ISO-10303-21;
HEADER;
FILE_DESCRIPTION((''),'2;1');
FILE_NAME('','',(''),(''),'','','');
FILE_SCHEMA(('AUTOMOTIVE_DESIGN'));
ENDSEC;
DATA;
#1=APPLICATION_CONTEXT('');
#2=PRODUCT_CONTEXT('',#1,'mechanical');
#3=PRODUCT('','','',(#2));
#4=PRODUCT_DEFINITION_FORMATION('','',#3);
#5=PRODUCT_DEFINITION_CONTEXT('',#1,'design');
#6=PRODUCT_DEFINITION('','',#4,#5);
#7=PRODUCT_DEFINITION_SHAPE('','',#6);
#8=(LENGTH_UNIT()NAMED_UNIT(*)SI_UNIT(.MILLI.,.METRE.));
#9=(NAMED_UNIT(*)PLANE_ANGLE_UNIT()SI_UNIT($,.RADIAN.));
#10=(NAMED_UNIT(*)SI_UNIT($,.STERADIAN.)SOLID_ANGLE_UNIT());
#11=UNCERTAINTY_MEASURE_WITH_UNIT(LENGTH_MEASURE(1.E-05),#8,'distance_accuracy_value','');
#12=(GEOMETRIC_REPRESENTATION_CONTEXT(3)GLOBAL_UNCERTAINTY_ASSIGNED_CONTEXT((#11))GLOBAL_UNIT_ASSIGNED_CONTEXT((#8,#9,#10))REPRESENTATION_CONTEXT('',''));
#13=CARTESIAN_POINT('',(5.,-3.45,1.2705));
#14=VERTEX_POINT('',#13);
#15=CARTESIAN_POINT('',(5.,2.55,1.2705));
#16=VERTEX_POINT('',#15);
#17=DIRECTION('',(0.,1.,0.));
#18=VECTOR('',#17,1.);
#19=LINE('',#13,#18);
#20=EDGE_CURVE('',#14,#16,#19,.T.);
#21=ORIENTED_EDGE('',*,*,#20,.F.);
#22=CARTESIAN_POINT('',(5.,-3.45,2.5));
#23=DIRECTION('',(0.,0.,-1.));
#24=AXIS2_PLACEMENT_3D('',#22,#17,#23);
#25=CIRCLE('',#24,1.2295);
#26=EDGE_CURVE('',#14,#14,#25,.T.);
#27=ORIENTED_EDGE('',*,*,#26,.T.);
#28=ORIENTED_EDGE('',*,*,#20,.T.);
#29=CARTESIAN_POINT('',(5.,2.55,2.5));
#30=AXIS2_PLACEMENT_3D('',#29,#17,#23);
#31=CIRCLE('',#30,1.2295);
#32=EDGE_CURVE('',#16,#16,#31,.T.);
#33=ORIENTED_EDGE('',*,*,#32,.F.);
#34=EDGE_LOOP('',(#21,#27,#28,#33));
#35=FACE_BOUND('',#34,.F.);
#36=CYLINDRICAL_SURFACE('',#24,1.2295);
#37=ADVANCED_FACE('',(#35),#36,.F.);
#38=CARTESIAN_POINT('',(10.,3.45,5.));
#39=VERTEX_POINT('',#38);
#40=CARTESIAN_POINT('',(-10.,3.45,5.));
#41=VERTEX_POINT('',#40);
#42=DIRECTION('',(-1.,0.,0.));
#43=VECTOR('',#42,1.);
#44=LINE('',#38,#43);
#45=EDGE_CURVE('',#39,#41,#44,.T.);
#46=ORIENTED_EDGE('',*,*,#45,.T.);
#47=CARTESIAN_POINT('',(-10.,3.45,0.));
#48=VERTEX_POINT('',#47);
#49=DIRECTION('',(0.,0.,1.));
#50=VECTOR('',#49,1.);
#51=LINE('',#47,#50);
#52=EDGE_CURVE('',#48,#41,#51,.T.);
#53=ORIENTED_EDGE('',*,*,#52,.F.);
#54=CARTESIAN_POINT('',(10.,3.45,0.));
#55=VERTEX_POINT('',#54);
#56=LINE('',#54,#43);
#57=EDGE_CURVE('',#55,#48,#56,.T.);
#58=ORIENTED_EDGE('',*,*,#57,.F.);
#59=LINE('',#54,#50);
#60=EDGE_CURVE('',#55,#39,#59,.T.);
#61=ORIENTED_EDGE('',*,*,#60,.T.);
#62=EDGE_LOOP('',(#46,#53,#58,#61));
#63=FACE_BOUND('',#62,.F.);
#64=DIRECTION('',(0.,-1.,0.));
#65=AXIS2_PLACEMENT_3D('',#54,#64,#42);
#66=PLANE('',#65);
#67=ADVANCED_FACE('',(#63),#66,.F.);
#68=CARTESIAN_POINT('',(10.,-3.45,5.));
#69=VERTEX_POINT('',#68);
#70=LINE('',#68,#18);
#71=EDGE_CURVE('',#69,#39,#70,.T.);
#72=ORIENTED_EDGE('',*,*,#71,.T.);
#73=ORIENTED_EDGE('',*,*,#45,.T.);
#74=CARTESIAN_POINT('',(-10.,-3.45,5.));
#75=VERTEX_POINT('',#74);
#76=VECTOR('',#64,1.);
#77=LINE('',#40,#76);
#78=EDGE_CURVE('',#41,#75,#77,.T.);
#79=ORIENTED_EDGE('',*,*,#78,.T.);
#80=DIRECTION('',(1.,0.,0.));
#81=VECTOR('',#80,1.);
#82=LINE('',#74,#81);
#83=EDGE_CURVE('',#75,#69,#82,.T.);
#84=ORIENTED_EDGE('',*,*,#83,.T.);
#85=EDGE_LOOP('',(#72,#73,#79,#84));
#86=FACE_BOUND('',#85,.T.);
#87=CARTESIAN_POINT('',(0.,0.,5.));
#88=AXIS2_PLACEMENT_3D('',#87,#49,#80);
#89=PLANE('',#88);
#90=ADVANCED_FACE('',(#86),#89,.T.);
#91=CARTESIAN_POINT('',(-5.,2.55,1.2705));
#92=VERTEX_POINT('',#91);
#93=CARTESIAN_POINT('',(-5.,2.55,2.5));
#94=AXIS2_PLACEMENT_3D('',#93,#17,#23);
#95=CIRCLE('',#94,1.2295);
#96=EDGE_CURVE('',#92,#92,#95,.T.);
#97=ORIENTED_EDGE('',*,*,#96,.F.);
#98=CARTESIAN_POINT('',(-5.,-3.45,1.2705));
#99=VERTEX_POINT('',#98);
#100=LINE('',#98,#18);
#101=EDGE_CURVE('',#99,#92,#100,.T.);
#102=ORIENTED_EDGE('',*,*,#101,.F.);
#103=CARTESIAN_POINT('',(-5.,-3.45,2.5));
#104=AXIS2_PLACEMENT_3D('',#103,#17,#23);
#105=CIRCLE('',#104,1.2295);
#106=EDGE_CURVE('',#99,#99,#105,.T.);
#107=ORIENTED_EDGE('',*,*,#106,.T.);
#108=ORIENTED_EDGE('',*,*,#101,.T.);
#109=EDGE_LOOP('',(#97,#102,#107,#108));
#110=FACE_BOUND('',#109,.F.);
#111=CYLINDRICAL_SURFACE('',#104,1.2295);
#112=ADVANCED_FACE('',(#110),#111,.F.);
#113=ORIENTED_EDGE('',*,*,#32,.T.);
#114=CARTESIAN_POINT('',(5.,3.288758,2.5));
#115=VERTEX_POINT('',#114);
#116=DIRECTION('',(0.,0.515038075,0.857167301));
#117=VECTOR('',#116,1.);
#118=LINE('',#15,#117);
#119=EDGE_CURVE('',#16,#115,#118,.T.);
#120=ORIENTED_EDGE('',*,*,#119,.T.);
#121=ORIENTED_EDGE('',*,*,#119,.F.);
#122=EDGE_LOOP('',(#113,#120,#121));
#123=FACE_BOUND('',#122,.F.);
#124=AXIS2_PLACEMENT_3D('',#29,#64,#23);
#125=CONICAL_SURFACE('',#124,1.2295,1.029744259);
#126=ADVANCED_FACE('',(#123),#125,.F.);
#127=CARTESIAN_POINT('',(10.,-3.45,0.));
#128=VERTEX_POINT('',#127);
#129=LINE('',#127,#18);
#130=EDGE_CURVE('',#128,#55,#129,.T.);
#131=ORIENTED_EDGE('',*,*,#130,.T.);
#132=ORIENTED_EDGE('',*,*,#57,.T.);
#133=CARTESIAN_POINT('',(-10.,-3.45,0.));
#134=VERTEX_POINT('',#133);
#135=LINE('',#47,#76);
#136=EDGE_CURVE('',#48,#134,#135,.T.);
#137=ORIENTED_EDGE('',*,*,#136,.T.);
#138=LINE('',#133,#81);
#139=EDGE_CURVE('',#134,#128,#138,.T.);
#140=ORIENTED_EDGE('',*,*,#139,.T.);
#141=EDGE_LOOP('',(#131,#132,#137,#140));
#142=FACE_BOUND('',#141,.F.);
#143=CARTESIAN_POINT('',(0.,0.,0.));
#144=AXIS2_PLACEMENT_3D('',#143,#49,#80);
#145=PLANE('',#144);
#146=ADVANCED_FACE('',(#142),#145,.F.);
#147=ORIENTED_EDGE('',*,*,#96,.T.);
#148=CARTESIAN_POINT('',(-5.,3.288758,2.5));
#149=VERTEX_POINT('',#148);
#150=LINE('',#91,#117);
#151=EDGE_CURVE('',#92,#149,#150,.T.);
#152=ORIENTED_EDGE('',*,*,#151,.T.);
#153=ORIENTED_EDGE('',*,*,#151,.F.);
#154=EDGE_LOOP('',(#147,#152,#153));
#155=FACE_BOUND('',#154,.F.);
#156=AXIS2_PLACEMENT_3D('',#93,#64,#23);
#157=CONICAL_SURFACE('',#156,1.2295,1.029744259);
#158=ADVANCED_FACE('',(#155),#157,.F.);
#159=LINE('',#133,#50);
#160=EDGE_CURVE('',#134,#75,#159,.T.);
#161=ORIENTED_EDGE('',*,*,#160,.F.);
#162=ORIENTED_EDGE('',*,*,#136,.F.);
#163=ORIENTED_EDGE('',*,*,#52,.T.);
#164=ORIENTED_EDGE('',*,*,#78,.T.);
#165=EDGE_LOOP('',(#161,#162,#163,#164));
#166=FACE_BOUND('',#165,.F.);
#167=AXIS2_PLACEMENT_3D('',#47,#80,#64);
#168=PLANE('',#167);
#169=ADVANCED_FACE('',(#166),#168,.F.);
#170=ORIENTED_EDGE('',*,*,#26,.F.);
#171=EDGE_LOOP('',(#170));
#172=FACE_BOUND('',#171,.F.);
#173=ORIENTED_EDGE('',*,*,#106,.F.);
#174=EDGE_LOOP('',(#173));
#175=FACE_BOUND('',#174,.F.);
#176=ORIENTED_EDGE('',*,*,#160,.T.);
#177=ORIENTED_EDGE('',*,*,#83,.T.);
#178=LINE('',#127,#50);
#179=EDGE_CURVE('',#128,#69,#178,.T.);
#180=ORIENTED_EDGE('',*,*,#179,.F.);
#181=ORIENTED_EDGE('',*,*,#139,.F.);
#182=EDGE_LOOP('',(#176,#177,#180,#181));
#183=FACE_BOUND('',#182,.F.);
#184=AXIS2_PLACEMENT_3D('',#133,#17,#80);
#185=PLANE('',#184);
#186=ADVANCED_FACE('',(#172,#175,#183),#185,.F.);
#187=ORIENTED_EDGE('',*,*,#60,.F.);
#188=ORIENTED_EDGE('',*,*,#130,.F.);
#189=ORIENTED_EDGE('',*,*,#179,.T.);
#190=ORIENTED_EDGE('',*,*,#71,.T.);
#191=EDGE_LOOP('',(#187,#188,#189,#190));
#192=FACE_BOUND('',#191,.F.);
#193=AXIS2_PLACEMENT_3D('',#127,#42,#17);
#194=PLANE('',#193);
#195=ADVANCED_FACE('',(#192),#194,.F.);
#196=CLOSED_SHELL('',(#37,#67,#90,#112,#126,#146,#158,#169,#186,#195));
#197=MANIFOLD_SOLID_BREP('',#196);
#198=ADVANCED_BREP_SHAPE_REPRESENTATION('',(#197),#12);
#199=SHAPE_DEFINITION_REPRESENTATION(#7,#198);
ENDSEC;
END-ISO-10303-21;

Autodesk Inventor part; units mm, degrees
ref_plane "YZ Plane" through (0, 0, 0) normal (1, 0, 0) x (0, 1, 0)
ref_plane "XZ Plane" through (0, 0, 0) normal (0, 1, 0) x (-1, 0, 0)
ref_plane "XY Plane" through (0, 0, 0) normal (0, 0, 1) x (1, 0, 0)
sketch "Sketch1" plane through (0, 0, 0) normal (0, 0, 1) x (1, 0, 0)
  line L0 (-10, -3.45) -> (10, -3.45)
  line L1 (10, -3.45) -> (10, 3.45)
  line L2 (10, 3.45) -> (-10, 3.45)
  line L3 (-10, 3.45) -> (-10, -3.45)
  line L4 (-10, -3.45) -> (10, 3.45) construction
  line L5 (10, -3.45) -> (-10, 3.45) construction
  point P0 (0, 0)
  dimension "d0" = 20
  dimension "d1" = 6.9
extrude "Extrusion1" add sketch "Sketch1" along normal blind 5
sketch "Sketch2" plane through (-10, -3.45, 0) normal (0, -1, 0) x (1, 0, 0)
  line L0 (0, 0) -> (20, 0) construction
  line L1 (20, 0) -> (20, 5) construction
  line L2 (0, 5) -> (20, 5) construction
  line L3 (0, 0) -> (0, 5) construction
  line L4 (0, 2.5) -> (20, 2.5) construction
  line L5 (10, 0) -> (10, 9.5166) construction
  point P0 (5, 2.5)
  point P1 (15, 2.5)
  dimension "d4" = 5
hole "Hole1" at (-5, -3.45, 2.5) at (5, -3.45, 2.5) direction (0, 1, 0) diameter 2.459 depth 6 tip angle 118 thread size "M3x0.5" class "6H" standard "ISO Metric profile"
equation "\"d1\" = front_length"
equation "\"front_length\" = 6.9"
properties part number "tap_straight_bottom" material "Aluminum 6061"
